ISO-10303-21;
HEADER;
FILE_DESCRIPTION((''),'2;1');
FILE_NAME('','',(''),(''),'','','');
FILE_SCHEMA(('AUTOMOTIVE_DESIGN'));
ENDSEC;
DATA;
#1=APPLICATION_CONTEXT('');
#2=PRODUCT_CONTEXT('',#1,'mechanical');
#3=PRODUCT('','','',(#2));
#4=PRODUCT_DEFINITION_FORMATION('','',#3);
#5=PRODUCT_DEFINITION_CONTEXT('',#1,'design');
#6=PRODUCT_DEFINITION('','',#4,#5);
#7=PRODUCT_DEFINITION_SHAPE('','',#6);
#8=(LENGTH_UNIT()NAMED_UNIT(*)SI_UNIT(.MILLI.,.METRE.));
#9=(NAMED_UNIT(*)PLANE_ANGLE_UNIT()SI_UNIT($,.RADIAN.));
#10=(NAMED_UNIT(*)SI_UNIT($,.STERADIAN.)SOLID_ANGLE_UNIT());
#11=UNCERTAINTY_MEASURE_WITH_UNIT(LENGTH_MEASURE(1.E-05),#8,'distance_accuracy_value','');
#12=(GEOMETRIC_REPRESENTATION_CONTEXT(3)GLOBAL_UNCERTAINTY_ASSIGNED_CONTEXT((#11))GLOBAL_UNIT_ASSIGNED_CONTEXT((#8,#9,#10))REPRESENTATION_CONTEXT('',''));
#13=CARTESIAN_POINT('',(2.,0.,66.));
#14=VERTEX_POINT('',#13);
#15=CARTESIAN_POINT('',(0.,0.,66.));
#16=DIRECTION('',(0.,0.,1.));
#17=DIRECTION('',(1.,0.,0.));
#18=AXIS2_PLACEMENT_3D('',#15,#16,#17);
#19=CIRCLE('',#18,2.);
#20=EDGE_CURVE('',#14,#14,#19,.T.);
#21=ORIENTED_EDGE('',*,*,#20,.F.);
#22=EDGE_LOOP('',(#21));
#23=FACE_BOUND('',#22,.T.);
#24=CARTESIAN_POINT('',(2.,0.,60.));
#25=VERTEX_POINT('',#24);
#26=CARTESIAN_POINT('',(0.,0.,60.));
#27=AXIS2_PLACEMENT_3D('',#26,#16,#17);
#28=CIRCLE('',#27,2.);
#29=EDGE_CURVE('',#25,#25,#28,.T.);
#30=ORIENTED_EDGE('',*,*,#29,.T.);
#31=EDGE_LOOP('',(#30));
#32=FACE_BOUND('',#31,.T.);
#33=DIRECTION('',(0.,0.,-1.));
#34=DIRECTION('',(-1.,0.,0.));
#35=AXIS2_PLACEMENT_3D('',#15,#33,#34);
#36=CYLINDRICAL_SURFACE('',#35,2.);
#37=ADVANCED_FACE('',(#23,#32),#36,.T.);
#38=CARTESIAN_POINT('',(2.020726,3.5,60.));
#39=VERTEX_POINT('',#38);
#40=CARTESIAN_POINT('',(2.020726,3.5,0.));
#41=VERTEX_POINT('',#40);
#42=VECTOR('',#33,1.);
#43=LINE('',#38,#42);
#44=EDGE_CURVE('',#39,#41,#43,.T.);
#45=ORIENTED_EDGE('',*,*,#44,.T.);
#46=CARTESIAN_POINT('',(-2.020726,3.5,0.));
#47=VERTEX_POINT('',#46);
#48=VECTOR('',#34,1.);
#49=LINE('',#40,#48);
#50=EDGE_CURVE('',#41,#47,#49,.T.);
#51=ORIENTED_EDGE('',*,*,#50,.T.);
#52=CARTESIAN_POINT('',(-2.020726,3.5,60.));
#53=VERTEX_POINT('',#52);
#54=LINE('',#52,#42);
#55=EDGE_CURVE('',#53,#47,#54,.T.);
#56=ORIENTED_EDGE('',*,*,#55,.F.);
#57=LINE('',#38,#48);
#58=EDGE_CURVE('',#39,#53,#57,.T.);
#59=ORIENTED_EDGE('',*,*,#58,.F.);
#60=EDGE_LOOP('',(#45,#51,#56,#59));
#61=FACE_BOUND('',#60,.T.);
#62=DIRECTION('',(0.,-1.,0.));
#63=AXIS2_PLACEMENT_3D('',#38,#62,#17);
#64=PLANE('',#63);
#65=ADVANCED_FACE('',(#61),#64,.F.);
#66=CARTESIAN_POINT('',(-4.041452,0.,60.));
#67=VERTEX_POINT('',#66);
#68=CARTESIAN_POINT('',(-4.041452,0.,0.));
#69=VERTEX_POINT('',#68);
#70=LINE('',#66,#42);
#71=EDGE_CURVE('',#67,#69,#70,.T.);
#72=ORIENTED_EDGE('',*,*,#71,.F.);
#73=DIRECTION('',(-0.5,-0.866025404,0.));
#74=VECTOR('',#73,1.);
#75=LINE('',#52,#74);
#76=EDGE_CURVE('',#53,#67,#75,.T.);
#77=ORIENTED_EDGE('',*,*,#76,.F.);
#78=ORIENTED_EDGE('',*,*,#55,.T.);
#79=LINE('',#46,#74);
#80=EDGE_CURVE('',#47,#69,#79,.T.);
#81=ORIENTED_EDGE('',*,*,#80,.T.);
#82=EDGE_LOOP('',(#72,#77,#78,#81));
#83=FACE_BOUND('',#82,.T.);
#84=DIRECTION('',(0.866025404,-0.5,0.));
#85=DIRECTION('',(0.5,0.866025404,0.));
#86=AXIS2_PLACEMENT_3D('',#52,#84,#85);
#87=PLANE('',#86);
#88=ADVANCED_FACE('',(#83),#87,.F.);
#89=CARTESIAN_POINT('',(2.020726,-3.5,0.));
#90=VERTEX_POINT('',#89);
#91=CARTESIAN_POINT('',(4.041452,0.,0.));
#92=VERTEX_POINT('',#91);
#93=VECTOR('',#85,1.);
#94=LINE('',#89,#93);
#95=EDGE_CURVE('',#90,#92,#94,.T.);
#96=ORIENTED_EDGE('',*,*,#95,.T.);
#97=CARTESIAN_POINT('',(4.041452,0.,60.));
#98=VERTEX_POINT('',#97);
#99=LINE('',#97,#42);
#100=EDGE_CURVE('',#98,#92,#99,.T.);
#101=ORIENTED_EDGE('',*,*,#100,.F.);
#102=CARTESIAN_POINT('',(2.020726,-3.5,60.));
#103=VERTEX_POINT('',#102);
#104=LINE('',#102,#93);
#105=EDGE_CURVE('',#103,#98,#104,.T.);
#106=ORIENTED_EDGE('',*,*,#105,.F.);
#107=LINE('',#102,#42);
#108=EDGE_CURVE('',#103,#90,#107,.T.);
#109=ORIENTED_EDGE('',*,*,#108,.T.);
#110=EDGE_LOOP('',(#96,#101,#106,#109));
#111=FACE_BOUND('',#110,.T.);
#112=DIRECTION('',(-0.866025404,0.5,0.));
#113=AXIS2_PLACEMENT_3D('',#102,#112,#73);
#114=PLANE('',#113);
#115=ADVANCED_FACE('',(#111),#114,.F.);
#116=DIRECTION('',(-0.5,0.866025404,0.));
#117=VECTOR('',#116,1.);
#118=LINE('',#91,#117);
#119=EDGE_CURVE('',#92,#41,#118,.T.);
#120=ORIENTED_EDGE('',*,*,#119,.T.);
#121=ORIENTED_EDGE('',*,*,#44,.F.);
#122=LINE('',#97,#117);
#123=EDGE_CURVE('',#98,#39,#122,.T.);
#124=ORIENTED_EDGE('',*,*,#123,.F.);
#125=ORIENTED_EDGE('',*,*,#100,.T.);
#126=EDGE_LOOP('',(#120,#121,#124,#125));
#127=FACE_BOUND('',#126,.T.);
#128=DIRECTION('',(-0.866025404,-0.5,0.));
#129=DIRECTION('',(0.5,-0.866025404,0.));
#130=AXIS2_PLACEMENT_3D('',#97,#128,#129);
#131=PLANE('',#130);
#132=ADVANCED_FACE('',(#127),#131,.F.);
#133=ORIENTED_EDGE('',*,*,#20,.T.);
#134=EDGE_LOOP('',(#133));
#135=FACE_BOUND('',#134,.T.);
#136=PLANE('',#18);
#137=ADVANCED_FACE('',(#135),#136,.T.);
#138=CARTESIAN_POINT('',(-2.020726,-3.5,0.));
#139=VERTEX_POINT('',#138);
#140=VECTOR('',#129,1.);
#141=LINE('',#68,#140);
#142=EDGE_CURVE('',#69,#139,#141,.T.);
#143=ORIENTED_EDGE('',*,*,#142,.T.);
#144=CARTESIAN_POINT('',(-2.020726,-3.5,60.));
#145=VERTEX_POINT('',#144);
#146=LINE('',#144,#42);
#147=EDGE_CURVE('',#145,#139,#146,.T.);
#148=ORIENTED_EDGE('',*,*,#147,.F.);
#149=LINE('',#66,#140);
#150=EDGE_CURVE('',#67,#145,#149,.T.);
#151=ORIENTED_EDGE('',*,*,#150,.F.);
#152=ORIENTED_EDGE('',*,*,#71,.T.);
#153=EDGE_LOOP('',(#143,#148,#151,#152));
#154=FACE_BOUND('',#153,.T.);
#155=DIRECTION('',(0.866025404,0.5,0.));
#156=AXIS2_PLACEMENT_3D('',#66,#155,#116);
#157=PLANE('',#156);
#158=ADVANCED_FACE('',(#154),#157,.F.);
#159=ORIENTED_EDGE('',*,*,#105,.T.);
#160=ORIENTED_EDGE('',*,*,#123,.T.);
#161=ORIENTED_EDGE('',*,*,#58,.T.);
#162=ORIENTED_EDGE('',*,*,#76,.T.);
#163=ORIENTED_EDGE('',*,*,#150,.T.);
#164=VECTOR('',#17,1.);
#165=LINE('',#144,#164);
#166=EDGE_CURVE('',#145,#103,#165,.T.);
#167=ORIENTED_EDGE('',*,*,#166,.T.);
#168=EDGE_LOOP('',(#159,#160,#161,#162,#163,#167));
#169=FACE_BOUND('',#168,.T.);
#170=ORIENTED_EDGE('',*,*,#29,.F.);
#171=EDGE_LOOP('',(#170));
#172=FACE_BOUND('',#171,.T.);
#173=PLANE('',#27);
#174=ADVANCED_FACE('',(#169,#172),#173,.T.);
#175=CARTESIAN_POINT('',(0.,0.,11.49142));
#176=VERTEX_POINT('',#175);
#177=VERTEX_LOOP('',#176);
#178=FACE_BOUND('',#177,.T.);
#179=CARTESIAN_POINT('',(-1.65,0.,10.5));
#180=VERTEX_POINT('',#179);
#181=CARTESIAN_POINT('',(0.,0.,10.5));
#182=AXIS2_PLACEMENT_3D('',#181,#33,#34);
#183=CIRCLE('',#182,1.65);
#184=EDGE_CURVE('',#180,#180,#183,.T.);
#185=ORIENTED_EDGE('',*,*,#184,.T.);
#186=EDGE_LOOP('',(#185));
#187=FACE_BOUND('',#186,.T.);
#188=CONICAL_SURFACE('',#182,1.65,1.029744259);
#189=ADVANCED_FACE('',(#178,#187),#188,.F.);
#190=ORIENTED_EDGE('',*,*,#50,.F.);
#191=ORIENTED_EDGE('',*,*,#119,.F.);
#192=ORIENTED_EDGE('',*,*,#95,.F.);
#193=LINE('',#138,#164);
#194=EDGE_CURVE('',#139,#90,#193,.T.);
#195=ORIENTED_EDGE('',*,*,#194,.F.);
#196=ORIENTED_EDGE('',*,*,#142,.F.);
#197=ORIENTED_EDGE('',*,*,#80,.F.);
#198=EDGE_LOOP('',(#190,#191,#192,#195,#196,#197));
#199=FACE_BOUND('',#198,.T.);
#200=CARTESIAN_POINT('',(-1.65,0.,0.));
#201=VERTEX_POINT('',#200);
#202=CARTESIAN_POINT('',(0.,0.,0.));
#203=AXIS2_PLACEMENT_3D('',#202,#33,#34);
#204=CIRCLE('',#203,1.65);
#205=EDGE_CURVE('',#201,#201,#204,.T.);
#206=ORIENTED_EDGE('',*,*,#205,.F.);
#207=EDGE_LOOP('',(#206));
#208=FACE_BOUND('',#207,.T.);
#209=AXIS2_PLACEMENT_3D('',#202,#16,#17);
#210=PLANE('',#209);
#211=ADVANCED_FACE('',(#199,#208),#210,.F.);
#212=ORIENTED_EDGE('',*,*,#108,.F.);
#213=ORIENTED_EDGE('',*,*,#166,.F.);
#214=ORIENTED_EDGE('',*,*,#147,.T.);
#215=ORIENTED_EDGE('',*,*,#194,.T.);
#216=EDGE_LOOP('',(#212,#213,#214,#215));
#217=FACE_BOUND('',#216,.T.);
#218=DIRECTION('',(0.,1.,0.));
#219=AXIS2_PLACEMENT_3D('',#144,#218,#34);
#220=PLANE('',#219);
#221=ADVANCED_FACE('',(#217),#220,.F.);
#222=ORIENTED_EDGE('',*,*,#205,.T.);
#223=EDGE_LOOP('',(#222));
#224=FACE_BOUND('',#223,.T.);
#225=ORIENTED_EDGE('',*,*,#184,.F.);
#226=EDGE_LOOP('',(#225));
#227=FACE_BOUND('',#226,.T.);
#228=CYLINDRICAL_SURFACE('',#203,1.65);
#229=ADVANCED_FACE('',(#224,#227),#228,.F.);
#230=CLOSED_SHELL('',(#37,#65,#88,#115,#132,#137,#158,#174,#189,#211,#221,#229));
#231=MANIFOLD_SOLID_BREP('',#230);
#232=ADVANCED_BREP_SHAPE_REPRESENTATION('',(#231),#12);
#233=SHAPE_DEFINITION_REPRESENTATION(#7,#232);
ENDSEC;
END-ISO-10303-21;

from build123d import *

# Parameters (mm, degrees)
EXTRUDE_1_DEPTH = 60
SKETCH_2_R      = 2
EXTRUDE_2_DEPTH = 6
M4X0_7_1_D      = 3.3
M4X0_7_1_DEPTH  = 10.5
M4X0_7_1_TIP    = 0.991420021


with BuildPart() as part:
    # 草圖1 → 填料-伸長1 (new body)
    with BuildSketch(Plane.XY):
        Polygon((4.041451884, 0), (2.020725942, 3.5), (-2.020725942, 3.5), (-4.041451884, 0), (-2.020725942, -3.5), (2.020725942, -3.5), align=None)
    extrude(amount=EXTRUDE_1_DEPTH)

    # 草圖2 → 填料-伸長2 (add)
    with BuildSketch(Plane.XY.offset(60)):
        Circle(SKETCH_2_R)
    extrude(amount=EXTRUDE_2_DEPTH)

    # M4x0.7 螺紋孔1
    with Locations(Plane(origin=(0, 0, 0), x_dir=(-1, 0, 0), z_dir=(0, 0, -1))):
        with Locations((0, 0)):
            Hole(M4X0_7_1_D / 2, depth=M4X0_7_1_DEPTH)
            with Locations((0, 0, -(M4X0_7_1_DEPTH + M4X0_7_1_TIP / 2))):  # 118° drill point
                Cone(0, M4X0_7_1_D / 2, M4X0_7_1_TIP, mode=Mode.SUBTRACT)


solid = part.part
